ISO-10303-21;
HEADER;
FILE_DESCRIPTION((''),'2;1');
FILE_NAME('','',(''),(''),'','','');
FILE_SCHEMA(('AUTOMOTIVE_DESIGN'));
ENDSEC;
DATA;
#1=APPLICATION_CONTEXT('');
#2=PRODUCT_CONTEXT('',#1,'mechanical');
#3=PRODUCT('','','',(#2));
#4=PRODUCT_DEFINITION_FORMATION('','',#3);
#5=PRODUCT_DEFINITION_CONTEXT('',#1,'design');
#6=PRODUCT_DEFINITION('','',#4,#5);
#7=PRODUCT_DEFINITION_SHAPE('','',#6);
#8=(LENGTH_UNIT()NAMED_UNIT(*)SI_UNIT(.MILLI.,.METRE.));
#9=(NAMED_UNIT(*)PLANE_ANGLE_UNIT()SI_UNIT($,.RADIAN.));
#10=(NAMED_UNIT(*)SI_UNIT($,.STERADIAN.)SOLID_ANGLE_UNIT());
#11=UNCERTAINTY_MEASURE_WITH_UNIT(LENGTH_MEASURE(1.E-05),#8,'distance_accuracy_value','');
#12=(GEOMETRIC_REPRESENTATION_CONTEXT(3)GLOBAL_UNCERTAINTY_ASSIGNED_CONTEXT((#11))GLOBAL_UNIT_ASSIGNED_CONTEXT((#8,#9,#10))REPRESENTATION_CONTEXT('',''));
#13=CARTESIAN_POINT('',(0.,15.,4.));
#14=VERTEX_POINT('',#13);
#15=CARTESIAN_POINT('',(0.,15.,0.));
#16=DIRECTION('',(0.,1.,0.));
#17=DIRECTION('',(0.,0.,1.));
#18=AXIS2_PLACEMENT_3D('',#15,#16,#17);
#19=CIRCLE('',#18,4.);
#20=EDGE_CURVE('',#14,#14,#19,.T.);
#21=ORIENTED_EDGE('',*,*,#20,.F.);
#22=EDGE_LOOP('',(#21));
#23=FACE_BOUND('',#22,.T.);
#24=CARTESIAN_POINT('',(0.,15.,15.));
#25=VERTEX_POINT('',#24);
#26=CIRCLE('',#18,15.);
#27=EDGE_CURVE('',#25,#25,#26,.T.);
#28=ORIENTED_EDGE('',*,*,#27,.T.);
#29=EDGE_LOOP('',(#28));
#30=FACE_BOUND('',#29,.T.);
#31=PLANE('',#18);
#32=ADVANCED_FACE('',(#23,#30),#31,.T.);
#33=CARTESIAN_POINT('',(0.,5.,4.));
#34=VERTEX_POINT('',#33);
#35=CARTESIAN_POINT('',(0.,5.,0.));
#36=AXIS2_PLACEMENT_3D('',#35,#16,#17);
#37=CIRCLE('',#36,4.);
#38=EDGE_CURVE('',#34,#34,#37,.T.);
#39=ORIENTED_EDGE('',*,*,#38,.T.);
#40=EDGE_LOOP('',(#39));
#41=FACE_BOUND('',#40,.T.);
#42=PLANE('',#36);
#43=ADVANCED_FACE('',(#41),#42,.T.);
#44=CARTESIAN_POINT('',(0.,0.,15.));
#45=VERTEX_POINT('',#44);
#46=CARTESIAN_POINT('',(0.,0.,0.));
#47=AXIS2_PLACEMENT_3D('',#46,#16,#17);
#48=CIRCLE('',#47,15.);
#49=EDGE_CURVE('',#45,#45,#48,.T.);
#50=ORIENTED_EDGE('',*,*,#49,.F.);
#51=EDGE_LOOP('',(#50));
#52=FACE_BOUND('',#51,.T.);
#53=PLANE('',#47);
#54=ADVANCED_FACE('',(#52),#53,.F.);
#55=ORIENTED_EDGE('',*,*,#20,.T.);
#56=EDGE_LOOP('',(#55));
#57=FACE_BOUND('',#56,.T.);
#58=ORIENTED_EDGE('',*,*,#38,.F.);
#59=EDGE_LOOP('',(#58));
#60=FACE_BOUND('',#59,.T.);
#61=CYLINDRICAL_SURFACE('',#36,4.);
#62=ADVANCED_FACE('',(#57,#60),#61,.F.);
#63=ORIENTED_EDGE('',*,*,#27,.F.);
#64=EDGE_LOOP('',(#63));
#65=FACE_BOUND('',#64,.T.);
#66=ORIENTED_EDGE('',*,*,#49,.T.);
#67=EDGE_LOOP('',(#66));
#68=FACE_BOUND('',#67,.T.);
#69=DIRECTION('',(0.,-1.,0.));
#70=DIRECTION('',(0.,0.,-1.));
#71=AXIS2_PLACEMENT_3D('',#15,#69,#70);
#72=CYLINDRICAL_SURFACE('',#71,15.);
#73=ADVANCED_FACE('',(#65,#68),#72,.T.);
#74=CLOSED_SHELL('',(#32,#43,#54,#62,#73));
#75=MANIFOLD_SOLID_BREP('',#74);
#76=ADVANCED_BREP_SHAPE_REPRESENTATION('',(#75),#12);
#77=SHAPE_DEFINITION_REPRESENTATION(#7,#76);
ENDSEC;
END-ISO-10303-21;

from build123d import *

# Parameters (mm, degrees)
SKETCH2_R           = 15
BOSS_EXTRUDE1_DEPTH = 15
SKETCH3_R           = 4
CUT_EXTRUDE1_DEPTH  = 10


with BuildPart() as part:
    # Sketch2 → Boss-Extrude1 (new body)
    with BuildSketch(Plane(origin=(0, 0, 0), x_dir=(1, 0, 0), z_dir=(0, 1, 0))):
        with Locations(Location((0, 0, 0), (0, 0, 270))):
            Circle(SKETCH2_R)
    extrude(amount=BOSS_EXTRUDE1_DEPTH)

    # Sketch3 → Cut-Extrude1 (cut)
    with BuildSketch(Plane(origin=(0, 15, 0), x_dir=(1, 0, 0), z_dir=(0, 1, 0))):
        with Locations(Location((0, 0, 0), (0, 0, 270))):
            Circle(SKETCH3_R)
    extrude(amount=-CUT_EXTRUDE1_DEPTH, mode=Mode.SUBTRACT)


solid = part.part
